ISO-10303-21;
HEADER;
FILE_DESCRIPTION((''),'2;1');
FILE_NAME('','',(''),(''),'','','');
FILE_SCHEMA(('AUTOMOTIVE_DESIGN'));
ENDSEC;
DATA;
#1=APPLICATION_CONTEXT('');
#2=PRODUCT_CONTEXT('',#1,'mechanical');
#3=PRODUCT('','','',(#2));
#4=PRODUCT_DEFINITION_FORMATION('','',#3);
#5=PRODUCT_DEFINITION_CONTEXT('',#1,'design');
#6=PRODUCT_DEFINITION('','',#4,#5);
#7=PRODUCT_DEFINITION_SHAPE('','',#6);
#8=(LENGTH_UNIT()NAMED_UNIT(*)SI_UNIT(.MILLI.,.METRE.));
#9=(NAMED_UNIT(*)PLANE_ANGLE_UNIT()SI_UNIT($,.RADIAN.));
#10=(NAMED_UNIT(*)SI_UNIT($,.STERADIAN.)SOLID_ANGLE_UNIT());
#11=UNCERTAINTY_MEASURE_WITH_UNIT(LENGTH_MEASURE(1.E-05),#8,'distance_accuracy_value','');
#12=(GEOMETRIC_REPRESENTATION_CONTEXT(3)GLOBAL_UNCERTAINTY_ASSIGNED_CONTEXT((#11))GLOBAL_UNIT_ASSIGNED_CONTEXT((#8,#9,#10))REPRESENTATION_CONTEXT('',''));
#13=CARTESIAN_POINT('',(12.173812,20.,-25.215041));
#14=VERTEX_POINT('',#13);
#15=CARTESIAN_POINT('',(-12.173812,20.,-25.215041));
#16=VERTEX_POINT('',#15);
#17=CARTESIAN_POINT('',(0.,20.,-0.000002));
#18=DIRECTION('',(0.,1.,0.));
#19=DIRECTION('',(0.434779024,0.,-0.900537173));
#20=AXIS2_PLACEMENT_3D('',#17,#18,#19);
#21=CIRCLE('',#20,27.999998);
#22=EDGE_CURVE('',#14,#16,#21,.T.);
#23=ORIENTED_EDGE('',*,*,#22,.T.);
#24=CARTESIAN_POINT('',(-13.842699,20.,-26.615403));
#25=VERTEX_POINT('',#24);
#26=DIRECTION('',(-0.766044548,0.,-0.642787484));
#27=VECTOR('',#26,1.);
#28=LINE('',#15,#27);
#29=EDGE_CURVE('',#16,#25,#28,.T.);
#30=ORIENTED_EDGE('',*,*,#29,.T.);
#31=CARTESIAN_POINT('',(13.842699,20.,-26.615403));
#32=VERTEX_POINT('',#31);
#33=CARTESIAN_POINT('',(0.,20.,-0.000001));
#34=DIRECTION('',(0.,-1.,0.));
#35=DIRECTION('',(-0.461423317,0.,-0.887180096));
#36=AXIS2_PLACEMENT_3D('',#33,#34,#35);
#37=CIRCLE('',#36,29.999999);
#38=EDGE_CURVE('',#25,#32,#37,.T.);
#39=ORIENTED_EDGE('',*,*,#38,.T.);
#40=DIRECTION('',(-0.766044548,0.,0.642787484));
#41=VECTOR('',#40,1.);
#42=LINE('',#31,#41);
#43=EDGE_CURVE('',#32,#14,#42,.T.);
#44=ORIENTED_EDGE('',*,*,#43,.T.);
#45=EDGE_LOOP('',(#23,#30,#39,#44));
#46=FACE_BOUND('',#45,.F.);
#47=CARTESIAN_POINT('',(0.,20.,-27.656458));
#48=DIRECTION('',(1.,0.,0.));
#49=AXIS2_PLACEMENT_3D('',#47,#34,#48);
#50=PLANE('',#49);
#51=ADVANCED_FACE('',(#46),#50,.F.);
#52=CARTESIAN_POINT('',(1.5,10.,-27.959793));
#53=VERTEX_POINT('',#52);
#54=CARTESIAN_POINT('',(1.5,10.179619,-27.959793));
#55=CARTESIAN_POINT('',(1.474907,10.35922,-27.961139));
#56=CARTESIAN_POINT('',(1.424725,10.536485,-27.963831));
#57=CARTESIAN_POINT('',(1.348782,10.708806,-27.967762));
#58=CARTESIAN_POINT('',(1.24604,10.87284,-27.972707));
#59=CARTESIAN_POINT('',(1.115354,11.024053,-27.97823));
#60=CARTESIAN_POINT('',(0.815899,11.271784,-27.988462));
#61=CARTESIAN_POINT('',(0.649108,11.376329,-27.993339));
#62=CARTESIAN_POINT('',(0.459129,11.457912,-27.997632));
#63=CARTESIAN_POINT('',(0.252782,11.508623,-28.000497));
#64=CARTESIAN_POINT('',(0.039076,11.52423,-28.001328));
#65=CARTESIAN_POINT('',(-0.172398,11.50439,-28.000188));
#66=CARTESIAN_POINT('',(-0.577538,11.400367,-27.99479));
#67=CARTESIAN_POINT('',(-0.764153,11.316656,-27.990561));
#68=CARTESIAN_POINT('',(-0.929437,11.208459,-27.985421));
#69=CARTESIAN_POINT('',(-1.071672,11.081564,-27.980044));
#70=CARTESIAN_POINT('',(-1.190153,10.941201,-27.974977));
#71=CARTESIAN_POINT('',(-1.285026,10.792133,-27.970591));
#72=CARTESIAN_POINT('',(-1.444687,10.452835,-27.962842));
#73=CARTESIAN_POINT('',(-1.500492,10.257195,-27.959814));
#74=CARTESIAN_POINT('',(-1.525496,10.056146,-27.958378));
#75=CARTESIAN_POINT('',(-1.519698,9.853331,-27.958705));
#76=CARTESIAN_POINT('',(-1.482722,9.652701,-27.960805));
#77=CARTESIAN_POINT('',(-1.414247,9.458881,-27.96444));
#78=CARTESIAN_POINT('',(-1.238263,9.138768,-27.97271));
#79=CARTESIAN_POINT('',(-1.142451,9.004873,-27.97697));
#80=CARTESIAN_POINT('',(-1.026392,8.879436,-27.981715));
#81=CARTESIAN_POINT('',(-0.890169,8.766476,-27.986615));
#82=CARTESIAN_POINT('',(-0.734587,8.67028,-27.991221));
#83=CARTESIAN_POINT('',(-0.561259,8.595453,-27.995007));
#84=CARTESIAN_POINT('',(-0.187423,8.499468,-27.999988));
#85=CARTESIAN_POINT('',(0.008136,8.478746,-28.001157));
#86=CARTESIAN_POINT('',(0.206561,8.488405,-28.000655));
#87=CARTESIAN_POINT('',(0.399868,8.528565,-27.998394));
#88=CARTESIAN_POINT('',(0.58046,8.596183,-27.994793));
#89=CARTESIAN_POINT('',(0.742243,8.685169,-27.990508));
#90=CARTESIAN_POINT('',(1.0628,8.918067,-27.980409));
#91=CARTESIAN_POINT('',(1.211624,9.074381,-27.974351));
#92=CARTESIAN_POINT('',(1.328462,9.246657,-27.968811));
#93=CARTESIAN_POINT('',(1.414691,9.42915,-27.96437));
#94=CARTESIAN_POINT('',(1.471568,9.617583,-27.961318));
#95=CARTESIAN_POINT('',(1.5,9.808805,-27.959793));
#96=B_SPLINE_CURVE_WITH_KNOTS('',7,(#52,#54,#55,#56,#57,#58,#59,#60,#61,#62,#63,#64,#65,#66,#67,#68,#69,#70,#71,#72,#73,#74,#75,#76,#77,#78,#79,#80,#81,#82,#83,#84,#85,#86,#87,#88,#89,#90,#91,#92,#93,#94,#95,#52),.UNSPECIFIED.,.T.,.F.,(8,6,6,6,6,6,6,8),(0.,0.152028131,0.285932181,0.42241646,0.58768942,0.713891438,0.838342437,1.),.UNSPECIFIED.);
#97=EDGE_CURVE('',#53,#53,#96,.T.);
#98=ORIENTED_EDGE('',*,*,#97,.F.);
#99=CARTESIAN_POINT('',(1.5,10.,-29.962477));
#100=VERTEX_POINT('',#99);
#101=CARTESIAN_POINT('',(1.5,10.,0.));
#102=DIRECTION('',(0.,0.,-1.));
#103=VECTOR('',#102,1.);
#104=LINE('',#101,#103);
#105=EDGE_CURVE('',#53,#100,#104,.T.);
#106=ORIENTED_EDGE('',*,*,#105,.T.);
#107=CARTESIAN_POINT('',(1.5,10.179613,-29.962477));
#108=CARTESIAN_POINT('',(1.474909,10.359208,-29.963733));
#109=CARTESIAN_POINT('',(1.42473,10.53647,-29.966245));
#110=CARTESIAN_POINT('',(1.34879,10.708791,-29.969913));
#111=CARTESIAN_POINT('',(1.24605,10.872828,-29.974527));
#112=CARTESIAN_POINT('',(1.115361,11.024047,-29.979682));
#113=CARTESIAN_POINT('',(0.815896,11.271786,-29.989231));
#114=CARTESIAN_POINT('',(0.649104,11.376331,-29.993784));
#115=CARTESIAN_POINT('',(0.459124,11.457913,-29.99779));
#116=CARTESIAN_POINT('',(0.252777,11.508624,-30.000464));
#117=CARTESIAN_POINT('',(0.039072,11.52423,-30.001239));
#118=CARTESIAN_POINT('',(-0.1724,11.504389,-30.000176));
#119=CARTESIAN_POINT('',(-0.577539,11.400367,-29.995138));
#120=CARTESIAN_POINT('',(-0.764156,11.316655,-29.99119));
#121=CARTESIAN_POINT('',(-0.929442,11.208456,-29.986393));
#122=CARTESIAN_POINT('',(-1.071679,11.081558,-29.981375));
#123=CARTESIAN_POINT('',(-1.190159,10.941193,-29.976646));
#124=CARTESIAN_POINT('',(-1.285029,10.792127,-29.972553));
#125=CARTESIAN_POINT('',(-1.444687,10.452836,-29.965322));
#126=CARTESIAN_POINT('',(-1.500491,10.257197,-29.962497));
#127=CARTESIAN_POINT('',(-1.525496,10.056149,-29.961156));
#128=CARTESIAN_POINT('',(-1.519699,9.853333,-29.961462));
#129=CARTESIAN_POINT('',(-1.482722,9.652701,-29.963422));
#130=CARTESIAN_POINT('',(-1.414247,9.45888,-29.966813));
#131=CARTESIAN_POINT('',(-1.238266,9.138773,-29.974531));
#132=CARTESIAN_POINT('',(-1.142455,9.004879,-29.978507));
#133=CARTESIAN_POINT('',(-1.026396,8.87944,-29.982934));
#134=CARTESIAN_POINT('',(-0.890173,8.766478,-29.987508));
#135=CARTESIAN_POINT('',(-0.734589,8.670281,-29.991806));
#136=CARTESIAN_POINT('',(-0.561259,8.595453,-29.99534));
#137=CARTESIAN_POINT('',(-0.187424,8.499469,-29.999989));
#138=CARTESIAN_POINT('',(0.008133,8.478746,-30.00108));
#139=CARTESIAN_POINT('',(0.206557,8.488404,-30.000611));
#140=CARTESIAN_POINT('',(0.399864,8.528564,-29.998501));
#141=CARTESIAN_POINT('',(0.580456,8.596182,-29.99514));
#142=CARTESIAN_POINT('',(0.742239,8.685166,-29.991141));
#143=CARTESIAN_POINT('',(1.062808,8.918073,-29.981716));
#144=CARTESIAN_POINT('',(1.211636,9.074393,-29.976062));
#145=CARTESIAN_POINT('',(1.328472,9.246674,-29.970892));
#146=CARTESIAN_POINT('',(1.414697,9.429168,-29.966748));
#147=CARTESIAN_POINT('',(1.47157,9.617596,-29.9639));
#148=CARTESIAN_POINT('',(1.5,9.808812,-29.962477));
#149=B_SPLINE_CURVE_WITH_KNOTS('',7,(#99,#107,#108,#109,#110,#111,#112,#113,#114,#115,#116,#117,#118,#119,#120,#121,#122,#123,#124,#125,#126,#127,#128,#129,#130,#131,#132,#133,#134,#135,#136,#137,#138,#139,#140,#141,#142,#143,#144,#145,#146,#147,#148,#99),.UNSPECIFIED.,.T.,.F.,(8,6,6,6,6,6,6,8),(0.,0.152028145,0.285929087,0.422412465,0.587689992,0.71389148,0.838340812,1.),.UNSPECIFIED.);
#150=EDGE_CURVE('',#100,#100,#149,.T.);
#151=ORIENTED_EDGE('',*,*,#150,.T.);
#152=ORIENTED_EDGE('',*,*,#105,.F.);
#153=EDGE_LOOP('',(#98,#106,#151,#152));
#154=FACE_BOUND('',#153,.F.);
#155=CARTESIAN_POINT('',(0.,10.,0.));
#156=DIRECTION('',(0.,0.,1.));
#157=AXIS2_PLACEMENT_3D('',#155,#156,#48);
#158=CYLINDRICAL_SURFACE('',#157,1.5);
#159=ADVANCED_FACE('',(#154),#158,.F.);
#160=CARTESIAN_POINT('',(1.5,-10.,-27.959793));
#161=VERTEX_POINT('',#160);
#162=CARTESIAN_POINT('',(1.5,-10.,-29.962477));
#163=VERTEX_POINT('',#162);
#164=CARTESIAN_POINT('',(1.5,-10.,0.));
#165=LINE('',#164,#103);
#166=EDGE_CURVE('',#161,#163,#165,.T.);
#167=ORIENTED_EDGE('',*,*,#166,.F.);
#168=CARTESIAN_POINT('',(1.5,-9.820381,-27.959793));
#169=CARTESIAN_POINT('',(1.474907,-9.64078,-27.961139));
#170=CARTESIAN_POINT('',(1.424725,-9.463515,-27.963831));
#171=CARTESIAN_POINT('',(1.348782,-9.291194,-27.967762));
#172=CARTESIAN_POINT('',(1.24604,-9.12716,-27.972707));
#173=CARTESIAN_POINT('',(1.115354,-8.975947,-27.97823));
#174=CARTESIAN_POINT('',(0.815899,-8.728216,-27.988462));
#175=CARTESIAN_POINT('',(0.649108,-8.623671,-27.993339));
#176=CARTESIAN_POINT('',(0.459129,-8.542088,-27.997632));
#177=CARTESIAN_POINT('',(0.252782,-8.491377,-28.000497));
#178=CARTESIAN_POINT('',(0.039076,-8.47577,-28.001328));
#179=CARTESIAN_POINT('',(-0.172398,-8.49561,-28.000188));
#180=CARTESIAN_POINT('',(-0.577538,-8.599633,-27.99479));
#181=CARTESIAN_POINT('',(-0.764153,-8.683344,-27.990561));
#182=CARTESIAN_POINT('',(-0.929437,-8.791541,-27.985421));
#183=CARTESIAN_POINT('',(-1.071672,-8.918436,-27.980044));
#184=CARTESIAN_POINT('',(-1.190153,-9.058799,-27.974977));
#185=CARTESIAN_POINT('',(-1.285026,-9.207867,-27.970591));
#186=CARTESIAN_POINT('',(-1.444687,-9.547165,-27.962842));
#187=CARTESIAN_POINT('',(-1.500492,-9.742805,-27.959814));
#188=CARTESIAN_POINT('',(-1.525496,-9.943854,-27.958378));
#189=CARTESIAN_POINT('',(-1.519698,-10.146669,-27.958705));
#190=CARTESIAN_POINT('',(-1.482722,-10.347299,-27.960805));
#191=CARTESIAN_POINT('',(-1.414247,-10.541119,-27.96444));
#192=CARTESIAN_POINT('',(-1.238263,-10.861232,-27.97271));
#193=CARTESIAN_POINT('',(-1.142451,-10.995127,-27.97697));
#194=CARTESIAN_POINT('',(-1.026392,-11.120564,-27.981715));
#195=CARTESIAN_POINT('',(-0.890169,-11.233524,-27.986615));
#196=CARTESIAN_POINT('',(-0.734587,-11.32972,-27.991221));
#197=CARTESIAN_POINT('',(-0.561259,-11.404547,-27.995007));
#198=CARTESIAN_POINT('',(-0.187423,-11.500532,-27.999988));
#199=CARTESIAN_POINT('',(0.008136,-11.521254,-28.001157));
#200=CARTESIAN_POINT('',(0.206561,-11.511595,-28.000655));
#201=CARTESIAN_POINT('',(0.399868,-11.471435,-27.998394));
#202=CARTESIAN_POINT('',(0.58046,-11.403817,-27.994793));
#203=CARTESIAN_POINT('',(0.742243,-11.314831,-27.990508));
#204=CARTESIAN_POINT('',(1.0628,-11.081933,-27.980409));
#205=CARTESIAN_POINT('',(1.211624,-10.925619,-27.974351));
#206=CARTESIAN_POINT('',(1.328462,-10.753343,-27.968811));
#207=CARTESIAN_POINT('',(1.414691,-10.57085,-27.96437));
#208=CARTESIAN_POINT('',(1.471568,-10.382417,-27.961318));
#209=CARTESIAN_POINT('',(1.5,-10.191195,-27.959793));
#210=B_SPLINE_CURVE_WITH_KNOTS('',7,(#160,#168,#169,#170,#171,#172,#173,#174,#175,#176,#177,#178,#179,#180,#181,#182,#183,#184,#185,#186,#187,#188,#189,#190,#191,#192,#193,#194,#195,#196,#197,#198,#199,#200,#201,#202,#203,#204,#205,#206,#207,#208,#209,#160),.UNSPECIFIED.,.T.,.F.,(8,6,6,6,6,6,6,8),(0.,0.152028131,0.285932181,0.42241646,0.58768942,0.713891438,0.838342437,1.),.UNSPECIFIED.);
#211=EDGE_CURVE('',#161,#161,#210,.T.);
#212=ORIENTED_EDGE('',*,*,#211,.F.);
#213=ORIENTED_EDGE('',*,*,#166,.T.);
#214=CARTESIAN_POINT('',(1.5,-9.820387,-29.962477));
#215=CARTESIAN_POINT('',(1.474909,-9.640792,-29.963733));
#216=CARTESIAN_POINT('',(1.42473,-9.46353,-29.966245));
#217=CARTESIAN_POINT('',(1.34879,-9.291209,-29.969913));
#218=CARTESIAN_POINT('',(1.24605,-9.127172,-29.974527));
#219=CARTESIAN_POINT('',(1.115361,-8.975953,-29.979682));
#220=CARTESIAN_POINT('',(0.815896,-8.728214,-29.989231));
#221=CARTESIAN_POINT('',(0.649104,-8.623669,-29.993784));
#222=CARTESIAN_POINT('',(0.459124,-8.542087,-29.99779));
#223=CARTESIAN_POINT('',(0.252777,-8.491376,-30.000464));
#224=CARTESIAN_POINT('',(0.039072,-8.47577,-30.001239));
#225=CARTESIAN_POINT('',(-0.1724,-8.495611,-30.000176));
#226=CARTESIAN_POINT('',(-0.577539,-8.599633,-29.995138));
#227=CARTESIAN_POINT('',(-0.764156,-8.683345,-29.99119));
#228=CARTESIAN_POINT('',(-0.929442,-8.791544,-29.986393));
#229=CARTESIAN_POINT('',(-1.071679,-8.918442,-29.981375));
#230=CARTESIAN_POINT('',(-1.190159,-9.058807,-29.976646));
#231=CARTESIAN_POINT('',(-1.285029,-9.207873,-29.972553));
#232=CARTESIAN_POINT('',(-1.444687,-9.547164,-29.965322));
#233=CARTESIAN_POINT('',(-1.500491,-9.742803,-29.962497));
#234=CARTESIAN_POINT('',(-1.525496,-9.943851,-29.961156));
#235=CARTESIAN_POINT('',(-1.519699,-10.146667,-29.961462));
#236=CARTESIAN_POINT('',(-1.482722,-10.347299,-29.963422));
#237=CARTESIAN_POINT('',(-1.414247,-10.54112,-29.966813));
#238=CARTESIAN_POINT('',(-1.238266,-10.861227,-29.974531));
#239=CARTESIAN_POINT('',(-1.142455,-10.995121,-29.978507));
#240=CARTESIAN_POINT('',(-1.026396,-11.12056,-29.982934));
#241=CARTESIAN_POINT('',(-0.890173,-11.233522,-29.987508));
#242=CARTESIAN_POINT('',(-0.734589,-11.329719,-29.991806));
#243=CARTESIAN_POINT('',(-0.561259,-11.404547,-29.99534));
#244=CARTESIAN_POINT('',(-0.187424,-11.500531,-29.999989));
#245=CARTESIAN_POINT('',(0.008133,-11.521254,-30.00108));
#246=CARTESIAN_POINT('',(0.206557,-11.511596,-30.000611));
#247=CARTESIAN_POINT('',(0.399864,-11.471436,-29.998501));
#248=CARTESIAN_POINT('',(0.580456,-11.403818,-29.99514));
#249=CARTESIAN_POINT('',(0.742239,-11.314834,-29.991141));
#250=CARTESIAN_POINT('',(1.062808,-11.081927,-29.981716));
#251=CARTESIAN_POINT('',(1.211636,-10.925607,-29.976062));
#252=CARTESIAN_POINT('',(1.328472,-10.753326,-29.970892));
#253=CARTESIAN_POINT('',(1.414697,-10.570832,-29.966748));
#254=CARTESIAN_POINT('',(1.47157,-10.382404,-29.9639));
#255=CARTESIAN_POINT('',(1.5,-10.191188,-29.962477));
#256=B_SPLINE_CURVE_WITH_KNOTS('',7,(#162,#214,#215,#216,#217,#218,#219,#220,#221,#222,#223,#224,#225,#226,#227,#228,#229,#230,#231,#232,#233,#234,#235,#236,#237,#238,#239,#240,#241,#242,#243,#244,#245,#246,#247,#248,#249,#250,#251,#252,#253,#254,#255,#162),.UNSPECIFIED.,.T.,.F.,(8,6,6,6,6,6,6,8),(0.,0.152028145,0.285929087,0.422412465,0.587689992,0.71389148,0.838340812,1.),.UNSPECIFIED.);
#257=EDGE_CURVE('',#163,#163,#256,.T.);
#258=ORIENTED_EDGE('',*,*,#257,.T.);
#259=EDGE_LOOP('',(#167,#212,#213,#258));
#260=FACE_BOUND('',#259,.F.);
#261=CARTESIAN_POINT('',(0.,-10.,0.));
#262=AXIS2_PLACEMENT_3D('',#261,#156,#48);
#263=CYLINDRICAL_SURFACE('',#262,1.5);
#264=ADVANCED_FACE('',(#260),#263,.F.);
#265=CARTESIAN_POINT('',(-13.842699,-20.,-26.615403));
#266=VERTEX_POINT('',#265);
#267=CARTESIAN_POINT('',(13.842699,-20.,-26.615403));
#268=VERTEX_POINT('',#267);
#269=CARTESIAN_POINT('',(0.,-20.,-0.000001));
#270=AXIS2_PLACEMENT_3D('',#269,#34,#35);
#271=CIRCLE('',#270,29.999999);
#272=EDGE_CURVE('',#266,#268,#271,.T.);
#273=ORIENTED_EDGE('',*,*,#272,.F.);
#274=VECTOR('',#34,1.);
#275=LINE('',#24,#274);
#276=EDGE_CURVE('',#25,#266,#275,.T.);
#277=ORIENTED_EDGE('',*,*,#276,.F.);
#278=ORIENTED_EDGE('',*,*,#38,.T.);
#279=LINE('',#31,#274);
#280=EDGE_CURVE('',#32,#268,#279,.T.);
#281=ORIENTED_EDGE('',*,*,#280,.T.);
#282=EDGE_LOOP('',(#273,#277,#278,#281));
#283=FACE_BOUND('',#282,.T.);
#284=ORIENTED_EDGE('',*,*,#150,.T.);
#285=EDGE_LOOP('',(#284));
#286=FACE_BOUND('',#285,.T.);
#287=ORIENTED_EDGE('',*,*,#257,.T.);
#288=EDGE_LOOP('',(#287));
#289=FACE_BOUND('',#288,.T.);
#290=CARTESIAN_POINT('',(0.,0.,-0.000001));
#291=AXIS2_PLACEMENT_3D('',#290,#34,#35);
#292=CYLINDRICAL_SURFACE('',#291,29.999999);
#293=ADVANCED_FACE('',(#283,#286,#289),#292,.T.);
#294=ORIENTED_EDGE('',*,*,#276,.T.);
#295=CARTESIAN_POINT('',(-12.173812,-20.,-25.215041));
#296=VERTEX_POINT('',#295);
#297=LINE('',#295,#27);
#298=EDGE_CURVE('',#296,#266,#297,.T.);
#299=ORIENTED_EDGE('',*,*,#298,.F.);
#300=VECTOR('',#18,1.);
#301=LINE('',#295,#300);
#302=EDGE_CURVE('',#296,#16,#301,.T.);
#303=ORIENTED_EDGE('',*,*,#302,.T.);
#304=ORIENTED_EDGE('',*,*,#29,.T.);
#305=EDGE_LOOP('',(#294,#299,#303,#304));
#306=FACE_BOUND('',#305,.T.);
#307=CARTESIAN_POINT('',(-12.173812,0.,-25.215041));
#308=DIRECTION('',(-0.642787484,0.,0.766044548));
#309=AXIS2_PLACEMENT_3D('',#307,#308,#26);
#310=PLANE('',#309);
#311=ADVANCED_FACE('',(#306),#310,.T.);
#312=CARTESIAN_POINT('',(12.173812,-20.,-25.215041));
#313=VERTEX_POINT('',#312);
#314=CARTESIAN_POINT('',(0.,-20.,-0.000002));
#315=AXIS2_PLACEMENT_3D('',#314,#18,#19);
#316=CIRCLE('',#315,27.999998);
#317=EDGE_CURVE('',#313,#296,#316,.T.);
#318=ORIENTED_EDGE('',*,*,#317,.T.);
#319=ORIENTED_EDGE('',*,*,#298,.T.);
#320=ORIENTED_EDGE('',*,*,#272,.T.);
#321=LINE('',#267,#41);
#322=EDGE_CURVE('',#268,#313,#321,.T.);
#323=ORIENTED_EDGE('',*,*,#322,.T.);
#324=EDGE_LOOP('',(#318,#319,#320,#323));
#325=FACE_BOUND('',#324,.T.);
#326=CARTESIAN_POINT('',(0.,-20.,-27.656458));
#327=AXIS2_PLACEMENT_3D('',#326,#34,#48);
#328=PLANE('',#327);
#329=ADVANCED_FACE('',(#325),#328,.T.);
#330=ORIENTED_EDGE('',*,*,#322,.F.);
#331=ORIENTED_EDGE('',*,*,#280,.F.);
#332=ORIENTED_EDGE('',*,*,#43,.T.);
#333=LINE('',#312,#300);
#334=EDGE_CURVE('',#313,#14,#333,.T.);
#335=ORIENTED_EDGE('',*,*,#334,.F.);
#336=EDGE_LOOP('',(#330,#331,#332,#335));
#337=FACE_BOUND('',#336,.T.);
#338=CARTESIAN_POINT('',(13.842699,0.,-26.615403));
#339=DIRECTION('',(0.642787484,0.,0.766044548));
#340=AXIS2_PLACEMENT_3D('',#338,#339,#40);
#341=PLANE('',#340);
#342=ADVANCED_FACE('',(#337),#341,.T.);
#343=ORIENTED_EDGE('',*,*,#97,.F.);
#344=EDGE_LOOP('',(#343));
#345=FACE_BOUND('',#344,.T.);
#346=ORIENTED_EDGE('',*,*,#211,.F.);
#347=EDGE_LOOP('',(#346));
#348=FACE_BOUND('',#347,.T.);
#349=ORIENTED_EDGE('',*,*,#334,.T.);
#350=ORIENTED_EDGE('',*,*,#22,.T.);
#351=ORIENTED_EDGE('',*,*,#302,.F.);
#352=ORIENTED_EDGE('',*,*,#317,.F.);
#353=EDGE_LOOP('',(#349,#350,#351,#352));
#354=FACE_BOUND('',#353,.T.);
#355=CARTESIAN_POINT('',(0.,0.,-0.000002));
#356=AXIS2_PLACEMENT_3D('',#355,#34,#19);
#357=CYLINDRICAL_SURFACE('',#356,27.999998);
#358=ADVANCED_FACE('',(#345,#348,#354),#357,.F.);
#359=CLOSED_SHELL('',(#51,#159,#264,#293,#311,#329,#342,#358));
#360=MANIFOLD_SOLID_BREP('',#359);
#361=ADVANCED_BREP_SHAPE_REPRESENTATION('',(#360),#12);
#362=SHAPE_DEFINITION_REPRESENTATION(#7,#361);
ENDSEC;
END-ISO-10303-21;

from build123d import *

# Parameters (mm, degrees)
F1_DEPTH = 20
F2_R     = 1.5
F3_DEPTH = 54.84426


with BuildPart() as f1:
    # F0 (on Front) → F1 (new body, symmetric)
    with BuildSketch(Plane.XZ):
        with BuildLine():
            Line((-12.173812, -25.215041), (-13.842699, -26.615403))
            ThreePointArc((-13.842699, -26.615403), (0, -30), (13.842699, -26.615403))
            Line((13.842699, -26.615403), (12.173812, -25.215041))
            ThreePointArc((12.173812, -25.215041), (0, -28), (-12.173812, -25.215041))
        make_face()
    extrude(amount=F1_DEPTH, both=True)

    # F2 (on Top) → F3 (cut)
    with BuildSketch(Plane.XY):
        with Locations((0, -10)):
            Circle(F2_R)
        with Locations((0, 10)):
            Circle(F2_R)
    extrude(amount=-F3_DEPTH, mode=Mode.SUBTRACT)


solid = f1.part
